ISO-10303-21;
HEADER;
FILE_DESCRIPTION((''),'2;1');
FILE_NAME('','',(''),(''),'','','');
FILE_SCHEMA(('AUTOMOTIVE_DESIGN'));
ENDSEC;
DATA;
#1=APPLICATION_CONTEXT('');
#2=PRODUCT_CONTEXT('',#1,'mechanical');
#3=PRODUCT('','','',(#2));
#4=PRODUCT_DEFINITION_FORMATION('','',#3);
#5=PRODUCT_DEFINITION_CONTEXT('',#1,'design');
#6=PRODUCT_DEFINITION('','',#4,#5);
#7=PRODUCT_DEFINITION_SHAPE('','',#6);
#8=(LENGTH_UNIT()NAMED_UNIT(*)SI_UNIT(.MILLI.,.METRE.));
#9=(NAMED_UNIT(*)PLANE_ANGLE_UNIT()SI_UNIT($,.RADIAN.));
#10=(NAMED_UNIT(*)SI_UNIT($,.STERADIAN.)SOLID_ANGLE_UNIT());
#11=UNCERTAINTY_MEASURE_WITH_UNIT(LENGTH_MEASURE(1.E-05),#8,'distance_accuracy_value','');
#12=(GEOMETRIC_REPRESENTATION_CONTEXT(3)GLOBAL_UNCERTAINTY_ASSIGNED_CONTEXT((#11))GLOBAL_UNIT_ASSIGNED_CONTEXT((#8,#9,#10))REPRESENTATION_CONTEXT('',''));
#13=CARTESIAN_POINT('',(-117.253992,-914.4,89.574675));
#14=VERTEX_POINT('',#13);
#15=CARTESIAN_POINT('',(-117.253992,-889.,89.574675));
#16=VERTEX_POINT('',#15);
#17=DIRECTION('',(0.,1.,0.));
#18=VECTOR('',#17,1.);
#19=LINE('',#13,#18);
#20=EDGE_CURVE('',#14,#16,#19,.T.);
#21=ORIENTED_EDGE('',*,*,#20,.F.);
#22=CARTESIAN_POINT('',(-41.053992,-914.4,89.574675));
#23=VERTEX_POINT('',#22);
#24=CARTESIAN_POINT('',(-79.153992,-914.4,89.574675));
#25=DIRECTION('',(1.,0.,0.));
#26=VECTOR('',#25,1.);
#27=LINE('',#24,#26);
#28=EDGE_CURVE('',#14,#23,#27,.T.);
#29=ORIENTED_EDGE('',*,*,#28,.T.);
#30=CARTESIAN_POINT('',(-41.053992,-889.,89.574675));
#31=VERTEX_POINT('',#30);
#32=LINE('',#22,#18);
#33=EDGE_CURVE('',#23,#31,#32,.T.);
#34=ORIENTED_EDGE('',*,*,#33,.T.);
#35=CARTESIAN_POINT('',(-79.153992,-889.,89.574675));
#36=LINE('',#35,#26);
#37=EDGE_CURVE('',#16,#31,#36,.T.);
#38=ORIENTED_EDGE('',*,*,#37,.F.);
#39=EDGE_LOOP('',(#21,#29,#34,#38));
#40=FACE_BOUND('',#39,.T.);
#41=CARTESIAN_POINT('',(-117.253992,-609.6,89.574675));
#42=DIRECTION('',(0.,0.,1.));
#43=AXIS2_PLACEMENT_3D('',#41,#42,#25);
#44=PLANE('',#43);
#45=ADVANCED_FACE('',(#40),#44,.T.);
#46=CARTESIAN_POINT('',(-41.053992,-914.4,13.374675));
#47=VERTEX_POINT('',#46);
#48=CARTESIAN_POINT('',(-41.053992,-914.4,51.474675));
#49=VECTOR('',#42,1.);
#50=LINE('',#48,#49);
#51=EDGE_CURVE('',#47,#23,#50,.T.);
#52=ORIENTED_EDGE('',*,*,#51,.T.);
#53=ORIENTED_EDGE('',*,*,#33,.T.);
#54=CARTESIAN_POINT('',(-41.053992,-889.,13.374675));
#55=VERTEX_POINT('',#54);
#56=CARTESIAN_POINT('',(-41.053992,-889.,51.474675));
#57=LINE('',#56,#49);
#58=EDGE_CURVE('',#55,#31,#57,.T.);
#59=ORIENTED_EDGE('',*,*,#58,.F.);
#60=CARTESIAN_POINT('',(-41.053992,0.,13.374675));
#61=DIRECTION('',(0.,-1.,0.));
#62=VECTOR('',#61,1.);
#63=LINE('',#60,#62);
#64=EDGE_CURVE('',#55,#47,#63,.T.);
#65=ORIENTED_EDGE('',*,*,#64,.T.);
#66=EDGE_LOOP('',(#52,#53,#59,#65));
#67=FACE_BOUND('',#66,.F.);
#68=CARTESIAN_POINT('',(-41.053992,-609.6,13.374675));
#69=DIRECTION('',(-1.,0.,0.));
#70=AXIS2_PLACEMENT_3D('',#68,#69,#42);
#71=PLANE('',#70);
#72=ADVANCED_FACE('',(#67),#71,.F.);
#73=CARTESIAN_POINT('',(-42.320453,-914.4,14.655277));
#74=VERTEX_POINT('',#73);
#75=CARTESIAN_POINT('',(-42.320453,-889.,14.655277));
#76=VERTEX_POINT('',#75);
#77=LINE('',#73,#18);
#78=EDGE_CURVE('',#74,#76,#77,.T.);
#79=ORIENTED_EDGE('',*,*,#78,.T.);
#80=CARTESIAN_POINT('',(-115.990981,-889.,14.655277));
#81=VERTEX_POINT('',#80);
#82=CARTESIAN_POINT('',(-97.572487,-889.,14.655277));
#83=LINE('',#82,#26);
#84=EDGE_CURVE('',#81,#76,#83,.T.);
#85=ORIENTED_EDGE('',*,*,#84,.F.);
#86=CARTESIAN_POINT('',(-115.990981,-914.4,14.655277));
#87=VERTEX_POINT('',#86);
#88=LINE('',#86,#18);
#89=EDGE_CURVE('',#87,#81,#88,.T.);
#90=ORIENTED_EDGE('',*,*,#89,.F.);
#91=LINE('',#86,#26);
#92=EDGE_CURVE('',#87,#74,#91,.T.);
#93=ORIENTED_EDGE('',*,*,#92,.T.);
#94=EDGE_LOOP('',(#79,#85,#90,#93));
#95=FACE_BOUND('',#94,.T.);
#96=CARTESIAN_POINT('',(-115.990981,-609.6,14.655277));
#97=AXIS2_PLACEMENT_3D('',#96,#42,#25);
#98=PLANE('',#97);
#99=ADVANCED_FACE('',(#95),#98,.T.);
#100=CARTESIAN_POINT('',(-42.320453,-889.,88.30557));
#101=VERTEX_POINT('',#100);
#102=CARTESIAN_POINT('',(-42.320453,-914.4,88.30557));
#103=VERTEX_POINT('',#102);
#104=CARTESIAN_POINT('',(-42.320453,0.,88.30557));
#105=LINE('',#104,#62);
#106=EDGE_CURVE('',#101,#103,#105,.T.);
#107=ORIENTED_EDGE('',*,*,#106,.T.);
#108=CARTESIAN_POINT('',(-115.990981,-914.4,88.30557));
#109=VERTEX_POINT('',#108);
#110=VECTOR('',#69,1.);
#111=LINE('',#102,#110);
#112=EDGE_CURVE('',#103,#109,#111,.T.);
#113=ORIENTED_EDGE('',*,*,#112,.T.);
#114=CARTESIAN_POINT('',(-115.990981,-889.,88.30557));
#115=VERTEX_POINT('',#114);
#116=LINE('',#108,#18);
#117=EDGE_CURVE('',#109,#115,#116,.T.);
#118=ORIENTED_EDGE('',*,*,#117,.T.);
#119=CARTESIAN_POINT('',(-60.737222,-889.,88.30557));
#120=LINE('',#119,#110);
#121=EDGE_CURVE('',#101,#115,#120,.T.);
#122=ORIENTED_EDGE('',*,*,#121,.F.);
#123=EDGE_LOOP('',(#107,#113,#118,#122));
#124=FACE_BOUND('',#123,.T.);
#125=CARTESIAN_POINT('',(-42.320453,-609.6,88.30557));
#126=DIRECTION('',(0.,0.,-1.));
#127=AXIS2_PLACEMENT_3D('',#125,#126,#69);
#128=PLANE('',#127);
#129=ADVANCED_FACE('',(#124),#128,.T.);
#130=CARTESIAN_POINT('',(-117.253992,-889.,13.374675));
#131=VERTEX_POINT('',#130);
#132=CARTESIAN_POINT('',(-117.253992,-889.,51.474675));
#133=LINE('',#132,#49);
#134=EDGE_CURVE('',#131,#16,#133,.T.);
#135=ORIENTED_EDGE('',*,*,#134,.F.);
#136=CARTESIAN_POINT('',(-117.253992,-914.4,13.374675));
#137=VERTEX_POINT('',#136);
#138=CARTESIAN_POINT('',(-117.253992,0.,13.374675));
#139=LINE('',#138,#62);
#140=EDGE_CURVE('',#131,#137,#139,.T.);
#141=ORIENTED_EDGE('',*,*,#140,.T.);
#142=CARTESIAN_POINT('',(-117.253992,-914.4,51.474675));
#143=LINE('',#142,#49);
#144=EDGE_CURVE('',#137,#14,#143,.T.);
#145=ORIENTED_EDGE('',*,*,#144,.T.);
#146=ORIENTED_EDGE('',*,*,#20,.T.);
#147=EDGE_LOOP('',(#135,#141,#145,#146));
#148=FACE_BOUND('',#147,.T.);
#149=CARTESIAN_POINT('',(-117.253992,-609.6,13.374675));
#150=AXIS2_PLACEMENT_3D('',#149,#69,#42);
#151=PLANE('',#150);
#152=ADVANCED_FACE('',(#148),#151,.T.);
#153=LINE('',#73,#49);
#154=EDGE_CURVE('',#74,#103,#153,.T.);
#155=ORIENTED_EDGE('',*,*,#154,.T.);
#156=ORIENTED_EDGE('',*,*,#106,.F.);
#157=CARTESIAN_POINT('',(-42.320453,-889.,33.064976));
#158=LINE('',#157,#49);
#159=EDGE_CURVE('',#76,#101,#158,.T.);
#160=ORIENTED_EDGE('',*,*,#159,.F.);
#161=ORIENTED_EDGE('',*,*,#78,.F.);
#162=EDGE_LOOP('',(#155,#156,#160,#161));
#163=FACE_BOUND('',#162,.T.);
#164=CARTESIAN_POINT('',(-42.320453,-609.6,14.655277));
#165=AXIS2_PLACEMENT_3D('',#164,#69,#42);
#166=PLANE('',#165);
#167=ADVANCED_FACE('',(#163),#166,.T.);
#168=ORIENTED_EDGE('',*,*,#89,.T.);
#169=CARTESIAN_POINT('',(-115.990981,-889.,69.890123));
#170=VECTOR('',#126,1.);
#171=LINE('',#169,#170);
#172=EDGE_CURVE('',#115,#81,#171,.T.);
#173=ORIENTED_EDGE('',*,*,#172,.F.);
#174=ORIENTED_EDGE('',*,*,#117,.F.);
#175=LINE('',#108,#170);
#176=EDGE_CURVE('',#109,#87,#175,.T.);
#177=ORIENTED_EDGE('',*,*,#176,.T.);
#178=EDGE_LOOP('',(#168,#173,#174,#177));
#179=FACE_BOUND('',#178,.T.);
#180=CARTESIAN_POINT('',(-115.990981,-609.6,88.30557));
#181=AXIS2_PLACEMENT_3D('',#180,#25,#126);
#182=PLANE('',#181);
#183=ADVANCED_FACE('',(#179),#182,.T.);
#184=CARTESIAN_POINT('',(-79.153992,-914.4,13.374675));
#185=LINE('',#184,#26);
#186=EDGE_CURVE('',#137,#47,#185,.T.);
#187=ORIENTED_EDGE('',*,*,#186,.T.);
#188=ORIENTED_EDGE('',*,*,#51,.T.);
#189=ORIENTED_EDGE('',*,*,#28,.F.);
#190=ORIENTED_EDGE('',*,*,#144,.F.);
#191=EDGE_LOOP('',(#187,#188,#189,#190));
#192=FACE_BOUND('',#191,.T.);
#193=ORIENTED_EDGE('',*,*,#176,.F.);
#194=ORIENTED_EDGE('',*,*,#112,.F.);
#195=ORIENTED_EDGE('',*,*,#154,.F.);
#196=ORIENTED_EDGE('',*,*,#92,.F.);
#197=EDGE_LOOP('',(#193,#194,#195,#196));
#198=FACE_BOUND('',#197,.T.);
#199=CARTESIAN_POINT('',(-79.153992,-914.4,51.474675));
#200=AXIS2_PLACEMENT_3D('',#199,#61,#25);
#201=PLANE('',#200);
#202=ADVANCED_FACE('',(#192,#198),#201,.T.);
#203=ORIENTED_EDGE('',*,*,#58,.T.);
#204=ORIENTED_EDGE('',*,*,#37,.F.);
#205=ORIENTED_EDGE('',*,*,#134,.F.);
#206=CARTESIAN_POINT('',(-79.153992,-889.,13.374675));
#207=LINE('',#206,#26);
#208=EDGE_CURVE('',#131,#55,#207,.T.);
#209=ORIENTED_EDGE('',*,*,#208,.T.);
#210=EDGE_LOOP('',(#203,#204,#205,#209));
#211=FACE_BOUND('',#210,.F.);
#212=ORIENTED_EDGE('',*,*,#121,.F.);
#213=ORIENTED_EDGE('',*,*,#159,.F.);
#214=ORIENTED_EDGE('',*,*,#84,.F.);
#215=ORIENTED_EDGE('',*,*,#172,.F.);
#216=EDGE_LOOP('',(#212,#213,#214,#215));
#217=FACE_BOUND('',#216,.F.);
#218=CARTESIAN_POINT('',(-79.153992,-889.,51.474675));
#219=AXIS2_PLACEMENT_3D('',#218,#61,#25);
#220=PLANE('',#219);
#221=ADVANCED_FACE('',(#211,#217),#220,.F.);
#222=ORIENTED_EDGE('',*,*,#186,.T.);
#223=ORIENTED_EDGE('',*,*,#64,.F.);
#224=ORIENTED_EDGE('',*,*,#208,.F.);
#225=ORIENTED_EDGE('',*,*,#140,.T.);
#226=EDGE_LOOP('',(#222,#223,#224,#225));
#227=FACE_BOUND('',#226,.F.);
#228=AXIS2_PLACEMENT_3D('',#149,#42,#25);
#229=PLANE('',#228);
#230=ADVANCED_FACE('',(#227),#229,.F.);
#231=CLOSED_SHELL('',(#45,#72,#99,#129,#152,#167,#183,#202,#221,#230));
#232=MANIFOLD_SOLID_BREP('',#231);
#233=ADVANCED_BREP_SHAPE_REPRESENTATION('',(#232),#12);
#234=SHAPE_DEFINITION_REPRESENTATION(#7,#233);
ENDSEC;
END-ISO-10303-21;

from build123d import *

# Parameters (mm, degrees)
F0_W     = 76.2
F0_H     = 76.2
F1_DEPTH = 609.6
F3_DEPTH = 914.4
F4_DEPTH = 304.8
F5_DEPTH = 508
F6_DEPTH = 381


with BuildPart() as f1:
    # F0 (on Front) → F1 (new body)
    with BuildSketch(Plane.XZ):
        with Locations((-79.1539917648, 51.4746750653)):
            Rectangle(F0_W, F0_H)
    extrude(amount=F1_DEPTH)

    # F2 (on face) → F3 (cut)
    with BuildSketch(Plane.XZ.offset(609.6)):
        Polygon((-42.3204526305, 88.3055701852), (-98.6881405115, 88.3055701852), (-115.9909814596, 88.3055701852), (-115.9909814596, 14.655277133), (-42.3204526305, 14.655277133), align=None)
    extrude(amount=-F3_DEPTH, mode=Mode.SUBTRACT)

    # F4 (add): a face of the model
    f4_faces = [f1.faces().sort_by_distance(p)[0] for p in [
        (-42.1316224993, -609.6, 51.4746750653),
    ]]
    extrude(f4_faces, amount=F4_DEPTH)

    # F5 (cut): a face of the model
    f5_faces = [f1.faces().sort_by_distance(p)[0] for p in [
        (-42.1316224993, 0, 51.4746750653),
    ]]
    extrude(f5_faces, amount=-F5_DEPTH, mode=Mode.SUBTRACT)

    # F6 (cut): a face of the model
    f6_faces = [f1.faces().sort_by_distance(p)[0] for p in [
        (-42.1316224993, -508, 51.4746750653),
    ]]
    extrude(f6_faces, amount=-F6_DEPTH, mode=Mode.SUBTRACT)


solid = f1.part
